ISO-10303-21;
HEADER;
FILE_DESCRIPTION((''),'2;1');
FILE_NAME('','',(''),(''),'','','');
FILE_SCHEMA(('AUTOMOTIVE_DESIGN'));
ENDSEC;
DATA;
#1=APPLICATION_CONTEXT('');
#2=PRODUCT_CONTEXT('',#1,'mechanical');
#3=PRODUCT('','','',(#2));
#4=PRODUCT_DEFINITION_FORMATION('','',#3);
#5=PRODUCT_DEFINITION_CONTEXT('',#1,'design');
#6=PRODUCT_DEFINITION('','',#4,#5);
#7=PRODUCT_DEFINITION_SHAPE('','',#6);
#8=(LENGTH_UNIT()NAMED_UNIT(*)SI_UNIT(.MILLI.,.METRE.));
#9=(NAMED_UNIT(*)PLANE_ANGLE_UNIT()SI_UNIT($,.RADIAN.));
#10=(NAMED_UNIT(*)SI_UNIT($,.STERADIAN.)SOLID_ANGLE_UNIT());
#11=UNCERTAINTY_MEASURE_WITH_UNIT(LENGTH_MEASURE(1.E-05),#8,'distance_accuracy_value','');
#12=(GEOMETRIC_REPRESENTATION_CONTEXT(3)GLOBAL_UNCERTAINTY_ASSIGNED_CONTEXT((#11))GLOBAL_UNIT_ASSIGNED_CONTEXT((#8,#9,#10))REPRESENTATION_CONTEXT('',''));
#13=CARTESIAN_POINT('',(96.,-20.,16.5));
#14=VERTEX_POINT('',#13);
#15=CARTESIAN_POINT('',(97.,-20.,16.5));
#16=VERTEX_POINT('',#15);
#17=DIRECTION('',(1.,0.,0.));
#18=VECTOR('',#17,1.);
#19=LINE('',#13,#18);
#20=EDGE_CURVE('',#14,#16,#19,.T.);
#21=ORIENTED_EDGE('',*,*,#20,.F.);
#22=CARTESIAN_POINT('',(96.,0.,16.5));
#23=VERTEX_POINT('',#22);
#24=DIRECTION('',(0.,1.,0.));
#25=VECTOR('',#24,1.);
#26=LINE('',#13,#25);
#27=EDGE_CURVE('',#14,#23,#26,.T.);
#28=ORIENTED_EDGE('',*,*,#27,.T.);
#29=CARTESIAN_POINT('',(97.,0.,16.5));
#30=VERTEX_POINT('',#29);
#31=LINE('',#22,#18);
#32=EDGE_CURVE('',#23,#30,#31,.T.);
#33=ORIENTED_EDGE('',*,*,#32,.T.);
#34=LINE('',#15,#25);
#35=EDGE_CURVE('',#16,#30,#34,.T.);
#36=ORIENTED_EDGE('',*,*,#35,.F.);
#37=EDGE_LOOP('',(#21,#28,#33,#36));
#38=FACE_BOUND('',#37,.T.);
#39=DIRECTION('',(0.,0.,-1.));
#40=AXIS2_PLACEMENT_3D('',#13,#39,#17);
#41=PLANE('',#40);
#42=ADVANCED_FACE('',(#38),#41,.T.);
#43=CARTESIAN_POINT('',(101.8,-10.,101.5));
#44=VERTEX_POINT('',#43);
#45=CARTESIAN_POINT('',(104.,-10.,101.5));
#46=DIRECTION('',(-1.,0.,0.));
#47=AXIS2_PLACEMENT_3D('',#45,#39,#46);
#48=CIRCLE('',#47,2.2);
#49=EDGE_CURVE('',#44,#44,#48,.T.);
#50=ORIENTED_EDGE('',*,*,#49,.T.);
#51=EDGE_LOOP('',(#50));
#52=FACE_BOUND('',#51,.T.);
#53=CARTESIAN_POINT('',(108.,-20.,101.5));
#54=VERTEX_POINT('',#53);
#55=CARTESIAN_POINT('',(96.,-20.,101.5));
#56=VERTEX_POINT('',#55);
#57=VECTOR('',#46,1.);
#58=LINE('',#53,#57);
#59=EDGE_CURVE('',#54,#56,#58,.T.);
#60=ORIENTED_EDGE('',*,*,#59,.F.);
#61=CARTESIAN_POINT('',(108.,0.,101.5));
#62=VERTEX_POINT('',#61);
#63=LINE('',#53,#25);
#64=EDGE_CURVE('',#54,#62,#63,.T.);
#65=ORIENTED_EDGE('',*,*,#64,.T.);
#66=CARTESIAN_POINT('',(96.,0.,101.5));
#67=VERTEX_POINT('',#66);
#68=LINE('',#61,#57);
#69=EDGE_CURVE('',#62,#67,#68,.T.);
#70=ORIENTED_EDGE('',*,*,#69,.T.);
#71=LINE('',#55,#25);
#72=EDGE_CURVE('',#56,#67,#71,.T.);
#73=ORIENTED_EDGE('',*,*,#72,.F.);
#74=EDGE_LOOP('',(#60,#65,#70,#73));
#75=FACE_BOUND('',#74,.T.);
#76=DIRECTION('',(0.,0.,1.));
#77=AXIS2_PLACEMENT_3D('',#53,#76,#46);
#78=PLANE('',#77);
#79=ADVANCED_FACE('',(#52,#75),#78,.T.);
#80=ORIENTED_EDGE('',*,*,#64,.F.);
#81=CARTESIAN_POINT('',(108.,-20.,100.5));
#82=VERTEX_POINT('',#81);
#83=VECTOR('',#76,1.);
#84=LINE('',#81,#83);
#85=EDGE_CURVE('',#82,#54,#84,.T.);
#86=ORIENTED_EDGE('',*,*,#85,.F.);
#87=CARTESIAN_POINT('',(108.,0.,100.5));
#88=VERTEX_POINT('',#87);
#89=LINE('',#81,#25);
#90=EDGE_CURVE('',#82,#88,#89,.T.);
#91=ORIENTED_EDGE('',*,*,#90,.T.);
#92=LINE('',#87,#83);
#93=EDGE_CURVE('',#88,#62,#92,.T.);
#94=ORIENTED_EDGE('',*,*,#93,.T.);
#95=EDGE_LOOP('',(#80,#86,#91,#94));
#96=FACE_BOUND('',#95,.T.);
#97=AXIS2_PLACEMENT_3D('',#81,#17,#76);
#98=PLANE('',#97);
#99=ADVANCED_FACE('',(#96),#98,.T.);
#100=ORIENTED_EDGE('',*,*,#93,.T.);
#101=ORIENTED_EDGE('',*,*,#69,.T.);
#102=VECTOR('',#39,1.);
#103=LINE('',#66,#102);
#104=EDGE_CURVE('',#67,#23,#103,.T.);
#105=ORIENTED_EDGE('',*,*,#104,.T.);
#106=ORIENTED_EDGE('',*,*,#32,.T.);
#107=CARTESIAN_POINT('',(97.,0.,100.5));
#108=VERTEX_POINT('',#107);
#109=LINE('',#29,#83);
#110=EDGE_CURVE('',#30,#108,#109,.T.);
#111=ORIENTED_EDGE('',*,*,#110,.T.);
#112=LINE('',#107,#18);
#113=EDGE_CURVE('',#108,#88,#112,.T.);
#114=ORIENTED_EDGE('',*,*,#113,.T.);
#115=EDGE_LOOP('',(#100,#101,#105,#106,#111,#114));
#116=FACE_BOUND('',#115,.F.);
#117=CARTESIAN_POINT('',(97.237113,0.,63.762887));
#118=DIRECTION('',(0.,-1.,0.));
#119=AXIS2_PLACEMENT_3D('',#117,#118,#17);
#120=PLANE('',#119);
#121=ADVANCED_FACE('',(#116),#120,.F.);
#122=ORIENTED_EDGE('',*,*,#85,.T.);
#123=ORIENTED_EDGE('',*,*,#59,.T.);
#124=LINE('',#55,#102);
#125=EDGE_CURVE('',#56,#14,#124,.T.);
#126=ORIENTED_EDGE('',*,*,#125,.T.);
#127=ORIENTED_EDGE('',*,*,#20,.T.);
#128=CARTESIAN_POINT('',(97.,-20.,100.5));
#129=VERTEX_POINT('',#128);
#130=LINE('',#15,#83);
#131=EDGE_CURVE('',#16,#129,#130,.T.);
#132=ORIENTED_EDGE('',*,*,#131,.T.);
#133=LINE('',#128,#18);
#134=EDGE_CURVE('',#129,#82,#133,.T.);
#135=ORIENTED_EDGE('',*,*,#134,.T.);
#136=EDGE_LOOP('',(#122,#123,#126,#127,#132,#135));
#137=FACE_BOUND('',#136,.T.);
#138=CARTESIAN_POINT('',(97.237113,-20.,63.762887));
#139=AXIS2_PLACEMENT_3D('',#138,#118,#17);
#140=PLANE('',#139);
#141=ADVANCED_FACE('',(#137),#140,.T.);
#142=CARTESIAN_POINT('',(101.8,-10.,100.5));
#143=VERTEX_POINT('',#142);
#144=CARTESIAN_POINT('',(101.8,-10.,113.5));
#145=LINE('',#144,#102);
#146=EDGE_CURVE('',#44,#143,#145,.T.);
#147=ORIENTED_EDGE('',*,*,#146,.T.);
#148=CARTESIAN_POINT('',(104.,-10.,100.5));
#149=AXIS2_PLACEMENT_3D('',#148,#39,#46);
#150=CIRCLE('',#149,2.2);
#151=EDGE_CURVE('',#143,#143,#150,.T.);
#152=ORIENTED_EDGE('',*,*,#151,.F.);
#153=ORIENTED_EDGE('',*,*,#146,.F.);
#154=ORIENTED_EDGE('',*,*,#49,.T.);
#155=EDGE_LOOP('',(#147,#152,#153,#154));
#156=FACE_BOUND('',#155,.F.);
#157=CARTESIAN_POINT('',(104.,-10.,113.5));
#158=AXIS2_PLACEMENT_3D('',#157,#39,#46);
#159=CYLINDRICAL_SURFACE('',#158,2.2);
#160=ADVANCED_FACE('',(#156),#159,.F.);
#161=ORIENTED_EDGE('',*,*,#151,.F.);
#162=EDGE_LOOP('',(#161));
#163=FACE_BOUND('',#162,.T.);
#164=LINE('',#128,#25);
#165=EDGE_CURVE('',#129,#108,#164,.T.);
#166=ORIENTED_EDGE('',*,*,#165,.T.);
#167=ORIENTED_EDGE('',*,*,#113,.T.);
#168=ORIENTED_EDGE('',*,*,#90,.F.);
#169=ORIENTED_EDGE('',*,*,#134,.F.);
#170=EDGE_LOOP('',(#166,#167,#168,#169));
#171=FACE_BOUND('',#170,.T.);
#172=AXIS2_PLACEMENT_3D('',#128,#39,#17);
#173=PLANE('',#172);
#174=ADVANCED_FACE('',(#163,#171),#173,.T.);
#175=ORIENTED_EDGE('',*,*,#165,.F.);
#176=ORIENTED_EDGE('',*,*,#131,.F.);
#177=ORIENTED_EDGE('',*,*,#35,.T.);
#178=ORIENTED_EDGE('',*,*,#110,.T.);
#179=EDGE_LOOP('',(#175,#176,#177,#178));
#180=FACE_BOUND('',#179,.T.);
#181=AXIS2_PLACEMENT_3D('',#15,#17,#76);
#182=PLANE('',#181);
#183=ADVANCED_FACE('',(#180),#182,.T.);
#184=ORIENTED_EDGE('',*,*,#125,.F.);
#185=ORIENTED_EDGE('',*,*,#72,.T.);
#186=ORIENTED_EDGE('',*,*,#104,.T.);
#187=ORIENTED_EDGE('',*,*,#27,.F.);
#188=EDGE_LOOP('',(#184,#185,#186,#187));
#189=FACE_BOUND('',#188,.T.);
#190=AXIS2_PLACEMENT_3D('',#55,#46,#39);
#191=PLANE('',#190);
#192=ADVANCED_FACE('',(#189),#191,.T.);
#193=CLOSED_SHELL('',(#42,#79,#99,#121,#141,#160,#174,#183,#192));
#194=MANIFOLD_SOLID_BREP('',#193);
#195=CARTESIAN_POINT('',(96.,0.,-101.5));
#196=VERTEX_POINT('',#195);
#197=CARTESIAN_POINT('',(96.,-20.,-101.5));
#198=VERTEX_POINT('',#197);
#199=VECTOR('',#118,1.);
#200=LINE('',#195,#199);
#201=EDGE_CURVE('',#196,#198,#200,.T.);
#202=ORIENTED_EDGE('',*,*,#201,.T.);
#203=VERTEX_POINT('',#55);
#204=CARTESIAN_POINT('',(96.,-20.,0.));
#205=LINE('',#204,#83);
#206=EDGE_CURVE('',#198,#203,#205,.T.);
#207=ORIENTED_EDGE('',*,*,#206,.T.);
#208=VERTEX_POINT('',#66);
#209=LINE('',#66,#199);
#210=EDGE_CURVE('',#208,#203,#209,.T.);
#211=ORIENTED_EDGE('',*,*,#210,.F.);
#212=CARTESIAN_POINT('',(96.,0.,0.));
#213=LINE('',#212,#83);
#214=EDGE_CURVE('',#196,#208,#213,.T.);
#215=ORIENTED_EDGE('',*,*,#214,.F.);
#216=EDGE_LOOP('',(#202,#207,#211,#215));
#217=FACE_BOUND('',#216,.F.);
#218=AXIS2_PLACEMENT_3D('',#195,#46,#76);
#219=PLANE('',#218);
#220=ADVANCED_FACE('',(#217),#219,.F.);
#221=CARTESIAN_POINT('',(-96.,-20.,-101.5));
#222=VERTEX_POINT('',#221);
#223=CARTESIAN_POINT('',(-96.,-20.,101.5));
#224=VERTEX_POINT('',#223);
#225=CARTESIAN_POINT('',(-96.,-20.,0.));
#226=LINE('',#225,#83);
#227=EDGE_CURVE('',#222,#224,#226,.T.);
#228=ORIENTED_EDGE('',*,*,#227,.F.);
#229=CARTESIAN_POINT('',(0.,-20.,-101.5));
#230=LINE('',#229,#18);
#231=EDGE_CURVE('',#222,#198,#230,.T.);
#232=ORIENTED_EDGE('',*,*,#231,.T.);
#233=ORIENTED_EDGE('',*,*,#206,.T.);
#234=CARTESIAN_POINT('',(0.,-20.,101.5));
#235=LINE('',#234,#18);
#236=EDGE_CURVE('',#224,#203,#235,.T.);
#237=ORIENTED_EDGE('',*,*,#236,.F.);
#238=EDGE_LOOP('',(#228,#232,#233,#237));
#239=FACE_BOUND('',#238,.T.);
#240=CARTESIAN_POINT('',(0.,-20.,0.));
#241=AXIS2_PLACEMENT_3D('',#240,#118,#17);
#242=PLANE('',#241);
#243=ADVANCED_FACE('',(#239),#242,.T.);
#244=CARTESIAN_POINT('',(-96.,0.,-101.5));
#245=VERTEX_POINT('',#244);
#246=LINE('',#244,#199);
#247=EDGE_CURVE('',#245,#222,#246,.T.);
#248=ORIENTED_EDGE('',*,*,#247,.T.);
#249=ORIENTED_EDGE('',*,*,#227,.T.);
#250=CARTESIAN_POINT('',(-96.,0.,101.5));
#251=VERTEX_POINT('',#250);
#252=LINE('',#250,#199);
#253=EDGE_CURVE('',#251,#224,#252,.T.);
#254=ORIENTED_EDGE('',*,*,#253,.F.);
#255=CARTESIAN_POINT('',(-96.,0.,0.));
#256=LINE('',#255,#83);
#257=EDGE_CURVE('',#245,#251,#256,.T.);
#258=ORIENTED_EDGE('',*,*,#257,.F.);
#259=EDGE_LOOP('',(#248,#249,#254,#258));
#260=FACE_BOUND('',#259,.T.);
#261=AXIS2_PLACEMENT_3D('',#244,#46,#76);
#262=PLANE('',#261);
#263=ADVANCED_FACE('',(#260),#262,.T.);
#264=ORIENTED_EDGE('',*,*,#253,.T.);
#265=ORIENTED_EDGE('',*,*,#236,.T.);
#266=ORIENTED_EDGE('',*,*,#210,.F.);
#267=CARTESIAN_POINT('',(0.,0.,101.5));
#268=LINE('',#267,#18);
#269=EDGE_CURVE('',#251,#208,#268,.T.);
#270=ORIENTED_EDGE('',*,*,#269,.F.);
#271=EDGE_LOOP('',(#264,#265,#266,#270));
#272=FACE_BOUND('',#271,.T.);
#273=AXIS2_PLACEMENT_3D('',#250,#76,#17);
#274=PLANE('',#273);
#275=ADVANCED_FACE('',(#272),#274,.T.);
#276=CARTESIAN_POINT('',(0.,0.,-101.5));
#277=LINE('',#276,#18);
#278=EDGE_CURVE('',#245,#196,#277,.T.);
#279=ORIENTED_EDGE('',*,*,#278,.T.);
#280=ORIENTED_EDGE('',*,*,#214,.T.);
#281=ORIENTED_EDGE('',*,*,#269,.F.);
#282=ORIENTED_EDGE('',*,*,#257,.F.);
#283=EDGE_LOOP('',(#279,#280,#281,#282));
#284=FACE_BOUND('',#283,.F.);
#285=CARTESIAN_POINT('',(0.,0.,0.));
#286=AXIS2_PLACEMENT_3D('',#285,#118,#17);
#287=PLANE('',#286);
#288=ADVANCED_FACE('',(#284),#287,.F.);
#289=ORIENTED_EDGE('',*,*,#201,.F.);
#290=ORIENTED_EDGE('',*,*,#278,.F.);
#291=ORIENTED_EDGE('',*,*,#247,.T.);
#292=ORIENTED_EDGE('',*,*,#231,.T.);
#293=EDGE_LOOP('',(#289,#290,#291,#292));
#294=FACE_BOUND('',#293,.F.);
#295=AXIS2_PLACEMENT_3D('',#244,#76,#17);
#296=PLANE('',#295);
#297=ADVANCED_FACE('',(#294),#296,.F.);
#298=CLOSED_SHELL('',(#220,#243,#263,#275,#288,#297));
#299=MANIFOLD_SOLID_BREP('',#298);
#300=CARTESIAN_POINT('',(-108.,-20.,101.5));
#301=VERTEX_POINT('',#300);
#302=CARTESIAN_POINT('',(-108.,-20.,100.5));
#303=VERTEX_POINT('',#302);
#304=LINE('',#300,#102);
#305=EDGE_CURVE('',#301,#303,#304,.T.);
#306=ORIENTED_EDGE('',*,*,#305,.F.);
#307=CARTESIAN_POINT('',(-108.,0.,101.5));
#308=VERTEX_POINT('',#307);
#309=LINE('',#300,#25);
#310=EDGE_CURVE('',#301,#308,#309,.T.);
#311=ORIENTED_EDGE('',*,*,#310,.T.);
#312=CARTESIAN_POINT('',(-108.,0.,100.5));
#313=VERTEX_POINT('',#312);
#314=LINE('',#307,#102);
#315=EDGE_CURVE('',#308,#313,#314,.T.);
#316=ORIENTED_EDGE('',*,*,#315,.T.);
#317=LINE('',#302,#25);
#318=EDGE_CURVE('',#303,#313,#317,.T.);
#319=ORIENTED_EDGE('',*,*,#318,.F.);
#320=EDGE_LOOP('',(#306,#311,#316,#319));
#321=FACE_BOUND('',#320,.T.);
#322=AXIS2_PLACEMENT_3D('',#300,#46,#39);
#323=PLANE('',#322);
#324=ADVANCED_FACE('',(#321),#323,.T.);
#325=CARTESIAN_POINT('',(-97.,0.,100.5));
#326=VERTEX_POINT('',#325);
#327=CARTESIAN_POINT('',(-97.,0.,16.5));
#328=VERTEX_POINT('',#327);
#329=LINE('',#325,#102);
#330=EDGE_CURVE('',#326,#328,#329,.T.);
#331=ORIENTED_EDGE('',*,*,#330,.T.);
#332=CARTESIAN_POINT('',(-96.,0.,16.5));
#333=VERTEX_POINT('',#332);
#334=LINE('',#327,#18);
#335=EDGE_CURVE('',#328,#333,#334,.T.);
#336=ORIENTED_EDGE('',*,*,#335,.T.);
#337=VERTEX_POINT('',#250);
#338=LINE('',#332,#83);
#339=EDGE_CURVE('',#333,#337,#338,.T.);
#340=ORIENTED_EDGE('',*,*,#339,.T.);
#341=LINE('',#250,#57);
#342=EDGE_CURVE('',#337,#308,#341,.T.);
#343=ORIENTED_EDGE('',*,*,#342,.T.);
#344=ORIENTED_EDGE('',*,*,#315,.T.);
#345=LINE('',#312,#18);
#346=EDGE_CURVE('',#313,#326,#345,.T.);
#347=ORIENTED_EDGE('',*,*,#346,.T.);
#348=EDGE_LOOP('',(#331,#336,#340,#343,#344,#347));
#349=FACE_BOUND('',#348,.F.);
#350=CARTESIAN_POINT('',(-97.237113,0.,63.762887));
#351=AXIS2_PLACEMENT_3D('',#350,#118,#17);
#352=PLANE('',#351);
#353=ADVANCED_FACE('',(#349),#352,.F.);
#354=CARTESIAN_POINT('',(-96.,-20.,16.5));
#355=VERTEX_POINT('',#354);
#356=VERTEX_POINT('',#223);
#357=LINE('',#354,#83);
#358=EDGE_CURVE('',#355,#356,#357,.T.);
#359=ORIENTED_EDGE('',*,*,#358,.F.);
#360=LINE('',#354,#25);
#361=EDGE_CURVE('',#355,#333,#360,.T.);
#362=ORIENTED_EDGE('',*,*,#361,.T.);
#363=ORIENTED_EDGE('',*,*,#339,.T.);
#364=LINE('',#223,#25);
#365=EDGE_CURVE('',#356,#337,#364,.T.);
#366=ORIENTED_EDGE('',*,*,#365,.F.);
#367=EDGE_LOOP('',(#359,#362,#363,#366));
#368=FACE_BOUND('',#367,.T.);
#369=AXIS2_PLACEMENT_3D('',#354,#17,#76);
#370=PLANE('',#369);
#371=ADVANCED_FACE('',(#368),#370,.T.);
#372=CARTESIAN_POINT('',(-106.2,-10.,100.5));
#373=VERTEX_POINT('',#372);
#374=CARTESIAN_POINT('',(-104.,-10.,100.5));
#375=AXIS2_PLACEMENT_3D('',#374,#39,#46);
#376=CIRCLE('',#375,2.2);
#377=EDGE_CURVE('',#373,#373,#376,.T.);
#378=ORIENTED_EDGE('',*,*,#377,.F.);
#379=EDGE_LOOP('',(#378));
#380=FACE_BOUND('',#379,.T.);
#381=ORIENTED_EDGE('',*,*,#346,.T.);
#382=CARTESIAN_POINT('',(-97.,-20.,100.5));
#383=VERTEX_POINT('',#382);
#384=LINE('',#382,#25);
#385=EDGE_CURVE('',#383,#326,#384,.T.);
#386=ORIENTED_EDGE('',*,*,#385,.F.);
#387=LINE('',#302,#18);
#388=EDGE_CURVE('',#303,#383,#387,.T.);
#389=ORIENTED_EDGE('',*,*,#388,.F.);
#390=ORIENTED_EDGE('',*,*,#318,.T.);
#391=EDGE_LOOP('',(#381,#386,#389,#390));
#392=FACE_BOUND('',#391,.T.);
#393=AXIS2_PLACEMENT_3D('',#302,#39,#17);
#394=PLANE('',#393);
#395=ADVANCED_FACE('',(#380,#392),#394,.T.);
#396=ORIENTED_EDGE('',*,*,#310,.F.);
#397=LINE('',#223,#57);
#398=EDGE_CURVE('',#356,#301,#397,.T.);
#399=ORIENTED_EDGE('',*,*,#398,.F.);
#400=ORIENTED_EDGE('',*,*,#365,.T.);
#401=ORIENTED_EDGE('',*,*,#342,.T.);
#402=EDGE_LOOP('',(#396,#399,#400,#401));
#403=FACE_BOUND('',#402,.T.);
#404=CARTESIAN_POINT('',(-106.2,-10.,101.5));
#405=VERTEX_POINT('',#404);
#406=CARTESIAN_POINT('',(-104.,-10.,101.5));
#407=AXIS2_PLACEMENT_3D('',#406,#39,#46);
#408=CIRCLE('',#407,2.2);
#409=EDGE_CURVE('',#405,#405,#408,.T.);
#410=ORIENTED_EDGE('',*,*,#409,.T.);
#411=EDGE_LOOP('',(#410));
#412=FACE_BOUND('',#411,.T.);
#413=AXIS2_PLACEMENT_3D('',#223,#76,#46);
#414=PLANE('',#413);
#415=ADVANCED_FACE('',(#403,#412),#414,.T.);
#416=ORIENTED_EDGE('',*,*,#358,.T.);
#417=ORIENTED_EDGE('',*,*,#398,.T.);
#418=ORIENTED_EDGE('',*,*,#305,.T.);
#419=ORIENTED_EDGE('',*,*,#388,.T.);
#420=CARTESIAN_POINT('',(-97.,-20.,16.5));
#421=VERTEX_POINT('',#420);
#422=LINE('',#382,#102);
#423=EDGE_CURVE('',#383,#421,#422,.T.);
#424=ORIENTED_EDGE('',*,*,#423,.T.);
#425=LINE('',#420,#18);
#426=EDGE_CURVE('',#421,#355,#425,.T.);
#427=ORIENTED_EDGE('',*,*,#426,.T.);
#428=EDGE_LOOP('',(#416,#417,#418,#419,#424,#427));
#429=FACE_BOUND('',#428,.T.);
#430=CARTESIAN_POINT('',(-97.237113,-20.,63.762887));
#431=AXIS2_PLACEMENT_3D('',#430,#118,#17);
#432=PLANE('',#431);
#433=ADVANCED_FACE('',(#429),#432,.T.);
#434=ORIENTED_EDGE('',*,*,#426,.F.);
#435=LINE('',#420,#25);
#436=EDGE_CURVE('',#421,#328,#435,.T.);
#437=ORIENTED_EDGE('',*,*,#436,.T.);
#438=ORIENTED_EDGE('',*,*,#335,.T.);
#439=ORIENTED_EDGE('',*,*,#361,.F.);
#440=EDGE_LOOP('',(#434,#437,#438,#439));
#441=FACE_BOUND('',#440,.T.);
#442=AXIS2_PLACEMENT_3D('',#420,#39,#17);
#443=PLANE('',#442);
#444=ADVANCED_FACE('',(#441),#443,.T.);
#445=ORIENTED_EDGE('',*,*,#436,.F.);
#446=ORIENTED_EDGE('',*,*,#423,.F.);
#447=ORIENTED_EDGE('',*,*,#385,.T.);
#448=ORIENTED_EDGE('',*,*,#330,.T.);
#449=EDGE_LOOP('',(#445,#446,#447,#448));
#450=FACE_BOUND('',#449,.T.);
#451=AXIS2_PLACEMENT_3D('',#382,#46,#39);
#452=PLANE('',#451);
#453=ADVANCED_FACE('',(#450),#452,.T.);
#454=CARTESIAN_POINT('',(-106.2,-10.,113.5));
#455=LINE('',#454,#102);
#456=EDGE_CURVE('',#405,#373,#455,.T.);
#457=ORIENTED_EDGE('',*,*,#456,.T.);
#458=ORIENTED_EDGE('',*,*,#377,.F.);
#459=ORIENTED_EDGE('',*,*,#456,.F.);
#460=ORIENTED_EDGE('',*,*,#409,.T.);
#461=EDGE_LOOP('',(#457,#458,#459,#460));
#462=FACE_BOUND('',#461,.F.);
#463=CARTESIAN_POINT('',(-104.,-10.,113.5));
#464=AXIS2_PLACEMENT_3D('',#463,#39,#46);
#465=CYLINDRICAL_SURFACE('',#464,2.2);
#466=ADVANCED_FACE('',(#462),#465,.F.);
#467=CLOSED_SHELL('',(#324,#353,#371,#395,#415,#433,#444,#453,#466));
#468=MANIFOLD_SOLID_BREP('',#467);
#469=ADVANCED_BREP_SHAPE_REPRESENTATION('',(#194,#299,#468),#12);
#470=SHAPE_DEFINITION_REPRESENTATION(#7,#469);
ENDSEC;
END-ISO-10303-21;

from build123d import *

# Parameters (mm, degrees)
F0_W       = 192
F0_H       = 203
F1_DEPTH   = 20
F3_DEPTH   = 20
F5_D       = 4.4
F5_DEPTH   = 12
F5_TIP     = 1.3218933619
F5_2_D     = 4.4
F5_2_DEPTH = 12
F5_2_TIP   = 1.3218933619


with BuildPart() as f1:
    # F0 (on Front) → F1 (new body)
    with BuildSketch(Plane.XZ):
        Rectangle(F0_W, F0_H)
    extrude(amount=F1_DEPTH)


with BuildPart() as f3:
    # F2 (on face) → F3 (new body)
    with BuildSketch(Plane.XZ.offset(20)):
        Polygon((-96, 16.5), (-96, 101.5), (-97, 101.5), (-108, 101.5), (-108, 100.5), (-97, 100.5), (-97, 16.5), align=None)
    extrude(amount=-F3_DEPTH)

    # F5
    with Locations(Plane.XY.offset(101.5)):
        with Locations((-104, -10), (104, -10)):
            Hole(F5_D / 2, depth=F5_DEPTH)
            with Locations((0, 0, -(F5_DEPTH + F5_TIP / 2))):  # 118° drill point
                Cone(0, F5_D / 2, F5_TIP, mode=Mode.SUBTRACT)


with BuildPart() as f3b:
    # F2 (on face) → F3, piece 2 (new body)
    with BuildSketch(Plane.XZ.offset(20)):
        Polygon((108, 100.5), (108, 101.5), (97, 101.5), (96, 101.5), (96, 16.5), (97, 16.5), (97, 100.5), align=None)
    extrude(amount=-F3_DEPTH)

    # F5#2
    with Locations(Plane.XY.offset(101.5)):
        with Locations((-104, -10), (104, -10)):
            Hole(F5_2_D / 2, depth=F5_2_DEPTH)
            with Locations((0, 0, -(F5_2_DEPTH + F5_2_TIP / 2))):  # 118° drill point
                Cone(0, F5_2_D / 2, F5_2_TIP, mode=Mode.SUBTRACT)


solid = Compound([f1.part, f3.part, f3b.part])
